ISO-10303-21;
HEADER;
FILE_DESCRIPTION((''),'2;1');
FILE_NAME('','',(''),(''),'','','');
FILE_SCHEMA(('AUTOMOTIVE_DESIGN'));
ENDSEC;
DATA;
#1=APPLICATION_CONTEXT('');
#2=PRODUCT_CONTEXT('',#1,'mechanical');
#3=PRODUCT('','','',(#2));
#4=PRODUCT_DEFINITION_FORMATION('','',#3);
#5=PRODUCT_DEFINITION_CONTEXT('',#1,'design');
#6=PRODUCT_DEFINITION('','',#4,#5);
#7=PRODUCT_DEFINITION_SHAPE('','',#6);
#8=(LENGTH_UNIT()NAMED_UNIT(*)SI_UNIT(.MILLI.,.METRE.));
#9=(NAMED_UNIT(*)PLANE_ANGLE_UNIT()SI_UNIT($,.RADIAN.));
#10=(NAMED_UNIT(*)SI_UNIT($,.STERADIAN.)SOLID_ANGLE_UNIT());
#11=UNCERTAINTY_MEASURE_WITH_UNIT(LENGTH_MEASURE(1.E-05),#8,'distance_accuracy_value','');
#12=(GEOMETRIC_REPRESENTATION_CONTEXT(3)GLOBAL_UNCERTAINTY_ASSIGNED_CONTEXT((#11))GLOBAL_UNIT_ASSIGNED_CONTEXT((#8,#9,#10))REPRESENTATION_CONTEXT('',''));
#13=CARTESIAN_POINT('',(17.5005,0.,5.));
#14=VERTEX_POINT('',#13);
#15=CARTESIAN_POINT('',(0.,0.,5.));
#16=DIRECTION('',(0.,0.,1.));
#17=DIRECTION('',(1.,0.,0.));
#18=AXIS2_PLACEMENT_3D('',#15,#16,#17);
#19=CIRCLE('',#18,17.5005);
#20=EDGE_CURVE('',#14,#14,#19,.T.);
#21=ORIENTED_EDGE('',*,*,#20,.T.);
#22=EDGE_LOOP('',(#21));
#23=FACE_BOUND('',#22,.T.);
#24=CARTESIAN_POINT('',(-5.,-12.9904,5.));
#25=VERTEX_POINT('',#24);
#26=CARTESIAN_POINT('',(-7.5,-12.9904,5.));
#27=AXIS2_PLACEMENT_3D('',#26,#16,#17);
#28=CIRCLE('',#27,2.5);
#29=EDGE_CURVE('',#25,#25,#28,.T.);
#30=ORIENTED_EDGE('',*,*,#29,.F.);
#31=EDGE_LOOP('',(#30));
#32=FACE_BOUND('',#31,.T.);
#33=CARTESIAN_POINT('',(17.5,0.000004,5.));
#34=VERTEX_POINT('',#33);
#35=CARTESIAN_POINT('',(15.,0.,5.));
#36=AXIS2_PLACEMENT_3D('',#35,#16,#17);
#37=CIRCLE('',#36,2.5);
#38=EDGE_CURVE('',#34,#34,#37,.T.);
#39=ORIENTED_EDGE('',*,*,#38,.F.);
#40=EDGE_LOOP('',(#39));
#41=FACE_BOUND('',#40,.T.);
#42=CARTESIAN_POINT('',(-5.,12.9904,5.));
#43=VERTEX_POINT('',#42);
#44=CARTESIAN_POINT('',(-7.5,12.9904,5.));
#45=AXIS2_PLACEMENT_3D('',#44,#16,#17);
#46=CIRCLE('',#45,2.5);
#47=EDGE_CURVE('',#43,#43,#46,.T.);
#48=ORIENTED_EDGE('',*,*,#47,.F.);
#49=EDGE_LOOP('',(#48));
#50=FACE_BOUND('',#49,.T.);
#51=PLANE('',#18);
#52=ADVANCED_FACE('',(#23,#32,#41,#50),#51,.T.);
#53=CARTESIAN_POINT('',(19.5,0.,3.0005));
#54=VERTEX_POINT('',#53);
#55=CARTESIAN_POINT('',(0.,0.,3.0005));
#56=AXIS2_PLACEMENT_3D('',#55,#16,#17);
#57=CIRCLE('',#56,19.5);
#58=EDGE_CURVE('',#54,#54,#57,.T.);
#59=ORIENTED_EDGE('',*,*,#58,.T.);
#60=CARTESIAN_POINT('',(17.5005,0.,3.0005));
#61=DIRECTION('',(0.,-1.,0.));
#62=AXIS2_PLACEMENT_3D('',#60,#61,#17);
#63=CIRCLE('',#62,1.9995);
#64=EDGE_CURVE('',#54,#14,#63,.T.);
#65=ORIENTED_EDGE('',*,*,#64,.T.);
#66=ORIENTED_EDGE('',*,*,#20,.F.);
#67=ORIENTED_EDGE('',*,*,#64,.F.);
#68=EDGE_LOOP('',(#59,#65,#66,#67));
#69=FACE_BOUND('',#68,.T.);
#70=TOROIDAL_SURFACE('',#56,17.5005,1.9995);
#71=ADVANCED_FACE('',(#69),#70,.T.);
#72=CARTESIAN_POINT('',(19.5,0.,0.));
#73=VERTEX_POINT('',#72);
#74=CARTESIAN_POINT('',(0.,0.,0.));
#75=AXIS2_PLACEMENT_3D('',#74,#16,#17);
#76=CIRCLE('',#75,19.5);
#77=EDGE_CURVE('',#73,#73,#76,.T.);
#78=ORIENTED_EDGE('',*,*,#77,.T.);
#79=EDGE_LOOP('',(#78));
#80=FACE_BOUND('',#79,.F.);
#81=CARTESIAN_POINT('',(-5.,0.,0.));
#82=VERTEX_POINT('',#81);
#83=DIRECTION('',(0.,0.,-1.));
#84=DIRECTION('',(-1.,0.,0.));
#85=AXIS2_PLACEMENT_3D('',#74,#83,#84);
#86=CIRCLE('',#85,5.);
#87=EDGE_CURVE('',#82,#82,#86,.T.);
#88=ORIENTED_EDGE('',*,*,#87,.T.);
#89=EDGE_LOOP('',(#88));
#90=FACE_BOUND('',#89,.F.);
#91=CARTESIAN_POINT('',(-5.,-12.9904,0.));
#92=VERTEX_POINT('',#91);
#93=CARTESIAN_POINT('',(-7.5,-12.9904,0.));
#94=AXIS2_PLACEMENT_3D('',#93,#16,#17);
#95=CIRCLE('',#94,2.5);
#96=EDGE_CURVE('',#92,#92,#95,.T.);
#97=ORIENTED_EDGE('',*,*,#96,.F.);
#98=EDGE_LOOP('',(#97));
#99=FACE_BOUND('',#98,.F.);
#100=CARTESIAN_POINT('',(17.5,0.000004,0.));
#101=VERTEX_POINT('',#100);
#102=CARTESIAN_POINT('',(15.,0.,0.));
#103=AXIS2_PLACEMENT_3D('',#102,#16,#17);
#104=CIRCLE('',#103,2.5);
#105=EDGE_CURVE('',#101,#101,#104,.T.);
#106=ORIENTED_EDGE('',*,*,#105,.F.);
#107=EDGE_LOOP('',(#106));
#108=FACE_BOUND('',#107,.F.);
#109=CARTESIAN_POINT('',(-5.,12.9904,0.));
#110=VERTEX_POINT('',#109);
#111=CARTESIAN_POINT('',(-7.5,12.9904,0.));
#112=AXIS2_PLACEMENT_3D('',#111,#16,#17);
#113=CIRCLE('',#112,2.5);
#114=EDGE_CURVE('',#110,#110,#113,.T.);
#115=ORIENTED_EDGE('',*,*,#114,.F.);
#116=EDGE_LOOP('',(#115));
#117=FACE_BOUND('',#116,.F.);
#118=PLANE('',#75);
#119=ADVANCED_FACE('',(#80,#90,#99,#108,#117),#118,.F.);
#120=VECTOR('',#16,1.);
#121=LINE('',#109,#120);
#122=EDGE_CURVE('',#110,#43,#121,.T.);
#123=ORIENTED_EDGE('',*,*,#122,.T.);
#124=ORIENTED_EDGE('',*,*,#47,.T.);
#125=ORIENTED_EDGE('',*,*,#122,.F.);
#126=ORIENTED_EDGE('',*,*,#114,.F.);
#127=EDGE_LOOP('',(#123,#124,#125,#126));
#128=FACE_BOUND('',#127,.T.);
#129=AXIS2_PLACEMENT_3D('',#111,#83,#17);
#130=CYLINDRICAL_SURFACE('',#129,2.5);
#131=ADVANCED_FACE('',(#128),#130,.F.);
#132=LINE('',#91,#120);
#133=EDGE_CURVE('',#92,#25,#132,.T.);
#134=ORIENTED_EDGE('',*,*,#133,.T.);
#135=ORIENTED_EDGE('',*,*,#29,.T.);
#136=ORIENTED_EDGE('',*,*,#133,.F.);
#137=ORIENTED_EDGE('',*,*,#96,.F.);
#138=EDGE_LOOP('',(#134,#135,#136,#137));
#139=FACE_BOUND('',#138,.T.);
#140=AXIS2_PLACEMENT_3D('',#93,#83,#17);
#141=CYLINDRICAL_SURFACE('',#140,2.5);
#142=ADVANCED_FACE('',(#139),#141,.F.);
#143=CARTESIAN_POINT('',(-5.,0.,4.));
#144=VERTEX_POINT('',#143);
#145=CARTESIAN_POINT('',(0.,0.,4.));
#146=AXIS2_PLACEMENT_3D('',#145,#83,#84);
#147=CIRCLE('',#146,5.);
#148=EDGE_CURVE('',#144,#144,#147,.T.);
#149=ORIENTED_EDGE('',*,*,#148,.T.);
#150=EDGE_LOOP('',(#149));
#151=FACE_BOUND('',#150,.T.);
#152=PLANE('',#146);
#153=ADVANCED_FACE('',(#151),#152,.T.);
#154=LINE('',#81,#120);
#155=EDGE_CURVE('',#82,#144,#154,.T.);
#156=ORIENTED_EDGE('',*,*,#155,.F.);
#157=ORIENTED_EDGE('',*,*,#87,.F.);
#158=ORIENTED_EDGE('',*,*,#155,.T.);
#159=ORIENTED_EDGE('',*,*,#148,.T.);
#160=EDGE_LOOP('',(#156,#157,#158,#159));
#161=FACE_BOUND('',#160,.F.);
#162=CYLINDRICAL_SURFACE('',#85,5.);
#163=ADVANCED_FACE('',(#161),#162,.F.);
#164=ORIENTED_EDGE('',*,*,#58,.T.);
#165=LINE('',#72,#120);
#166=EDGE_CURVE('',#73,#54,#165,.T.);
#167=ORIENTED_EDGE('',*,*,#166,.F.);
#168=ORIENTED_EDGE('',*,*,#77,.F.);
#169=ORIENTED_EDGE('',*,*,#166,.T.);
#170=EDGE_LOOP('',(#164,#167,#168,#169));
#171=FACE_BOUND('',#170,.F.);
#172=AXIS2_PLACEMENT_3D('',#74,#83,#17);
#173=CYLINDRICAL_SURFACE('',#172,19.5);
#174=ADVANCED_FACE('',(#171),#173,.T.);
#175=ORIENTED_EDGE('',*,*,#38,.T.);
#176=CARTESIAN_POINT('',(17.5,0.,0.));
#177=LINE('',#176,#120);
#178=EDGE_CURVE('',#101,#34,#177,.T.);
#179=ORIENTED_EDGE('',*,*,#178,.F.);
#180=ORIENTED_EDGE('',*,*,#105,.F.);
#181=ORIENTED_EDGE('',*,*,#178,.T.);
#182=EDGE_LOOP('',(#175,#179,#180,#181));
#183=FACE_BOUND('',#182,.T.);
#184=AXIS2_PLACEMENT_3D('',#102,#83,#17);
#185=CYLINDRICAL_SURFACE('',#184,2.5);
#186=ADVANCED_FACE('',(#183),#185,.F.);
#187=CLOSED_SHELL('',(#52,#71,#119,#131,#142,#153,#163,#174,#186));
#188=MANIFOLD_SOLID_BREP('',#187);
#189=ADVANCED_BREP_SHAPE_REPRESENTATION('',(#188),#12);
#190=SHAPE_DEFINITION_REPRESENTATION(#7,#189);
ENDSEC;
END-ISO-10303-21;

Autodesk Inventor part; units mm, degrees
ref_plane "YZ Plane" through (0, 0, 0) normal (1, 0, 0) x (0, 1, 0)
ref_plane "XZ Plane" through (0, 0, 0) normal (0, 1, 0) x (-1, 0, 0)
ref_plane "XY Plane" through (0, 0, 0) normal (0, 0, 1) x (1, 0, 0)
sketch "Sketch1" plane through (0, 0, 0) normal (0, 0, 1) x (1, 0, 0)
  circle A0 centre (0, 0) radius 19.5
  circle A1 centre (15, 0) radius 2.5
  circle A2 centre (-7.5, 12.9904) radius 2.5
  circle A3 centre (-7.5, -12.9904) radius 2.5
  dimension "d0" = 39
  dimension "d1" = 5
  dimension "d2" = 15
  dimension "d5" = 360
extrude "Extrusion1" add sketch "Sketch1" along normal blind 5
sketch "Sketch2" plane through (0, 0, 0) normal (0, 0, -1) x (-1, 0, 0)
  circle A0 centre (0, 0) radius 5
  dimension "d9" = 10
extrude "Extrusion2" cut sketch "Sketch2" against normal blind 4
fillet "Fillet1" radius 2 1 edges at (-19.5, 0, 5)
properties part number "AA049" material "ABS Plastic"
